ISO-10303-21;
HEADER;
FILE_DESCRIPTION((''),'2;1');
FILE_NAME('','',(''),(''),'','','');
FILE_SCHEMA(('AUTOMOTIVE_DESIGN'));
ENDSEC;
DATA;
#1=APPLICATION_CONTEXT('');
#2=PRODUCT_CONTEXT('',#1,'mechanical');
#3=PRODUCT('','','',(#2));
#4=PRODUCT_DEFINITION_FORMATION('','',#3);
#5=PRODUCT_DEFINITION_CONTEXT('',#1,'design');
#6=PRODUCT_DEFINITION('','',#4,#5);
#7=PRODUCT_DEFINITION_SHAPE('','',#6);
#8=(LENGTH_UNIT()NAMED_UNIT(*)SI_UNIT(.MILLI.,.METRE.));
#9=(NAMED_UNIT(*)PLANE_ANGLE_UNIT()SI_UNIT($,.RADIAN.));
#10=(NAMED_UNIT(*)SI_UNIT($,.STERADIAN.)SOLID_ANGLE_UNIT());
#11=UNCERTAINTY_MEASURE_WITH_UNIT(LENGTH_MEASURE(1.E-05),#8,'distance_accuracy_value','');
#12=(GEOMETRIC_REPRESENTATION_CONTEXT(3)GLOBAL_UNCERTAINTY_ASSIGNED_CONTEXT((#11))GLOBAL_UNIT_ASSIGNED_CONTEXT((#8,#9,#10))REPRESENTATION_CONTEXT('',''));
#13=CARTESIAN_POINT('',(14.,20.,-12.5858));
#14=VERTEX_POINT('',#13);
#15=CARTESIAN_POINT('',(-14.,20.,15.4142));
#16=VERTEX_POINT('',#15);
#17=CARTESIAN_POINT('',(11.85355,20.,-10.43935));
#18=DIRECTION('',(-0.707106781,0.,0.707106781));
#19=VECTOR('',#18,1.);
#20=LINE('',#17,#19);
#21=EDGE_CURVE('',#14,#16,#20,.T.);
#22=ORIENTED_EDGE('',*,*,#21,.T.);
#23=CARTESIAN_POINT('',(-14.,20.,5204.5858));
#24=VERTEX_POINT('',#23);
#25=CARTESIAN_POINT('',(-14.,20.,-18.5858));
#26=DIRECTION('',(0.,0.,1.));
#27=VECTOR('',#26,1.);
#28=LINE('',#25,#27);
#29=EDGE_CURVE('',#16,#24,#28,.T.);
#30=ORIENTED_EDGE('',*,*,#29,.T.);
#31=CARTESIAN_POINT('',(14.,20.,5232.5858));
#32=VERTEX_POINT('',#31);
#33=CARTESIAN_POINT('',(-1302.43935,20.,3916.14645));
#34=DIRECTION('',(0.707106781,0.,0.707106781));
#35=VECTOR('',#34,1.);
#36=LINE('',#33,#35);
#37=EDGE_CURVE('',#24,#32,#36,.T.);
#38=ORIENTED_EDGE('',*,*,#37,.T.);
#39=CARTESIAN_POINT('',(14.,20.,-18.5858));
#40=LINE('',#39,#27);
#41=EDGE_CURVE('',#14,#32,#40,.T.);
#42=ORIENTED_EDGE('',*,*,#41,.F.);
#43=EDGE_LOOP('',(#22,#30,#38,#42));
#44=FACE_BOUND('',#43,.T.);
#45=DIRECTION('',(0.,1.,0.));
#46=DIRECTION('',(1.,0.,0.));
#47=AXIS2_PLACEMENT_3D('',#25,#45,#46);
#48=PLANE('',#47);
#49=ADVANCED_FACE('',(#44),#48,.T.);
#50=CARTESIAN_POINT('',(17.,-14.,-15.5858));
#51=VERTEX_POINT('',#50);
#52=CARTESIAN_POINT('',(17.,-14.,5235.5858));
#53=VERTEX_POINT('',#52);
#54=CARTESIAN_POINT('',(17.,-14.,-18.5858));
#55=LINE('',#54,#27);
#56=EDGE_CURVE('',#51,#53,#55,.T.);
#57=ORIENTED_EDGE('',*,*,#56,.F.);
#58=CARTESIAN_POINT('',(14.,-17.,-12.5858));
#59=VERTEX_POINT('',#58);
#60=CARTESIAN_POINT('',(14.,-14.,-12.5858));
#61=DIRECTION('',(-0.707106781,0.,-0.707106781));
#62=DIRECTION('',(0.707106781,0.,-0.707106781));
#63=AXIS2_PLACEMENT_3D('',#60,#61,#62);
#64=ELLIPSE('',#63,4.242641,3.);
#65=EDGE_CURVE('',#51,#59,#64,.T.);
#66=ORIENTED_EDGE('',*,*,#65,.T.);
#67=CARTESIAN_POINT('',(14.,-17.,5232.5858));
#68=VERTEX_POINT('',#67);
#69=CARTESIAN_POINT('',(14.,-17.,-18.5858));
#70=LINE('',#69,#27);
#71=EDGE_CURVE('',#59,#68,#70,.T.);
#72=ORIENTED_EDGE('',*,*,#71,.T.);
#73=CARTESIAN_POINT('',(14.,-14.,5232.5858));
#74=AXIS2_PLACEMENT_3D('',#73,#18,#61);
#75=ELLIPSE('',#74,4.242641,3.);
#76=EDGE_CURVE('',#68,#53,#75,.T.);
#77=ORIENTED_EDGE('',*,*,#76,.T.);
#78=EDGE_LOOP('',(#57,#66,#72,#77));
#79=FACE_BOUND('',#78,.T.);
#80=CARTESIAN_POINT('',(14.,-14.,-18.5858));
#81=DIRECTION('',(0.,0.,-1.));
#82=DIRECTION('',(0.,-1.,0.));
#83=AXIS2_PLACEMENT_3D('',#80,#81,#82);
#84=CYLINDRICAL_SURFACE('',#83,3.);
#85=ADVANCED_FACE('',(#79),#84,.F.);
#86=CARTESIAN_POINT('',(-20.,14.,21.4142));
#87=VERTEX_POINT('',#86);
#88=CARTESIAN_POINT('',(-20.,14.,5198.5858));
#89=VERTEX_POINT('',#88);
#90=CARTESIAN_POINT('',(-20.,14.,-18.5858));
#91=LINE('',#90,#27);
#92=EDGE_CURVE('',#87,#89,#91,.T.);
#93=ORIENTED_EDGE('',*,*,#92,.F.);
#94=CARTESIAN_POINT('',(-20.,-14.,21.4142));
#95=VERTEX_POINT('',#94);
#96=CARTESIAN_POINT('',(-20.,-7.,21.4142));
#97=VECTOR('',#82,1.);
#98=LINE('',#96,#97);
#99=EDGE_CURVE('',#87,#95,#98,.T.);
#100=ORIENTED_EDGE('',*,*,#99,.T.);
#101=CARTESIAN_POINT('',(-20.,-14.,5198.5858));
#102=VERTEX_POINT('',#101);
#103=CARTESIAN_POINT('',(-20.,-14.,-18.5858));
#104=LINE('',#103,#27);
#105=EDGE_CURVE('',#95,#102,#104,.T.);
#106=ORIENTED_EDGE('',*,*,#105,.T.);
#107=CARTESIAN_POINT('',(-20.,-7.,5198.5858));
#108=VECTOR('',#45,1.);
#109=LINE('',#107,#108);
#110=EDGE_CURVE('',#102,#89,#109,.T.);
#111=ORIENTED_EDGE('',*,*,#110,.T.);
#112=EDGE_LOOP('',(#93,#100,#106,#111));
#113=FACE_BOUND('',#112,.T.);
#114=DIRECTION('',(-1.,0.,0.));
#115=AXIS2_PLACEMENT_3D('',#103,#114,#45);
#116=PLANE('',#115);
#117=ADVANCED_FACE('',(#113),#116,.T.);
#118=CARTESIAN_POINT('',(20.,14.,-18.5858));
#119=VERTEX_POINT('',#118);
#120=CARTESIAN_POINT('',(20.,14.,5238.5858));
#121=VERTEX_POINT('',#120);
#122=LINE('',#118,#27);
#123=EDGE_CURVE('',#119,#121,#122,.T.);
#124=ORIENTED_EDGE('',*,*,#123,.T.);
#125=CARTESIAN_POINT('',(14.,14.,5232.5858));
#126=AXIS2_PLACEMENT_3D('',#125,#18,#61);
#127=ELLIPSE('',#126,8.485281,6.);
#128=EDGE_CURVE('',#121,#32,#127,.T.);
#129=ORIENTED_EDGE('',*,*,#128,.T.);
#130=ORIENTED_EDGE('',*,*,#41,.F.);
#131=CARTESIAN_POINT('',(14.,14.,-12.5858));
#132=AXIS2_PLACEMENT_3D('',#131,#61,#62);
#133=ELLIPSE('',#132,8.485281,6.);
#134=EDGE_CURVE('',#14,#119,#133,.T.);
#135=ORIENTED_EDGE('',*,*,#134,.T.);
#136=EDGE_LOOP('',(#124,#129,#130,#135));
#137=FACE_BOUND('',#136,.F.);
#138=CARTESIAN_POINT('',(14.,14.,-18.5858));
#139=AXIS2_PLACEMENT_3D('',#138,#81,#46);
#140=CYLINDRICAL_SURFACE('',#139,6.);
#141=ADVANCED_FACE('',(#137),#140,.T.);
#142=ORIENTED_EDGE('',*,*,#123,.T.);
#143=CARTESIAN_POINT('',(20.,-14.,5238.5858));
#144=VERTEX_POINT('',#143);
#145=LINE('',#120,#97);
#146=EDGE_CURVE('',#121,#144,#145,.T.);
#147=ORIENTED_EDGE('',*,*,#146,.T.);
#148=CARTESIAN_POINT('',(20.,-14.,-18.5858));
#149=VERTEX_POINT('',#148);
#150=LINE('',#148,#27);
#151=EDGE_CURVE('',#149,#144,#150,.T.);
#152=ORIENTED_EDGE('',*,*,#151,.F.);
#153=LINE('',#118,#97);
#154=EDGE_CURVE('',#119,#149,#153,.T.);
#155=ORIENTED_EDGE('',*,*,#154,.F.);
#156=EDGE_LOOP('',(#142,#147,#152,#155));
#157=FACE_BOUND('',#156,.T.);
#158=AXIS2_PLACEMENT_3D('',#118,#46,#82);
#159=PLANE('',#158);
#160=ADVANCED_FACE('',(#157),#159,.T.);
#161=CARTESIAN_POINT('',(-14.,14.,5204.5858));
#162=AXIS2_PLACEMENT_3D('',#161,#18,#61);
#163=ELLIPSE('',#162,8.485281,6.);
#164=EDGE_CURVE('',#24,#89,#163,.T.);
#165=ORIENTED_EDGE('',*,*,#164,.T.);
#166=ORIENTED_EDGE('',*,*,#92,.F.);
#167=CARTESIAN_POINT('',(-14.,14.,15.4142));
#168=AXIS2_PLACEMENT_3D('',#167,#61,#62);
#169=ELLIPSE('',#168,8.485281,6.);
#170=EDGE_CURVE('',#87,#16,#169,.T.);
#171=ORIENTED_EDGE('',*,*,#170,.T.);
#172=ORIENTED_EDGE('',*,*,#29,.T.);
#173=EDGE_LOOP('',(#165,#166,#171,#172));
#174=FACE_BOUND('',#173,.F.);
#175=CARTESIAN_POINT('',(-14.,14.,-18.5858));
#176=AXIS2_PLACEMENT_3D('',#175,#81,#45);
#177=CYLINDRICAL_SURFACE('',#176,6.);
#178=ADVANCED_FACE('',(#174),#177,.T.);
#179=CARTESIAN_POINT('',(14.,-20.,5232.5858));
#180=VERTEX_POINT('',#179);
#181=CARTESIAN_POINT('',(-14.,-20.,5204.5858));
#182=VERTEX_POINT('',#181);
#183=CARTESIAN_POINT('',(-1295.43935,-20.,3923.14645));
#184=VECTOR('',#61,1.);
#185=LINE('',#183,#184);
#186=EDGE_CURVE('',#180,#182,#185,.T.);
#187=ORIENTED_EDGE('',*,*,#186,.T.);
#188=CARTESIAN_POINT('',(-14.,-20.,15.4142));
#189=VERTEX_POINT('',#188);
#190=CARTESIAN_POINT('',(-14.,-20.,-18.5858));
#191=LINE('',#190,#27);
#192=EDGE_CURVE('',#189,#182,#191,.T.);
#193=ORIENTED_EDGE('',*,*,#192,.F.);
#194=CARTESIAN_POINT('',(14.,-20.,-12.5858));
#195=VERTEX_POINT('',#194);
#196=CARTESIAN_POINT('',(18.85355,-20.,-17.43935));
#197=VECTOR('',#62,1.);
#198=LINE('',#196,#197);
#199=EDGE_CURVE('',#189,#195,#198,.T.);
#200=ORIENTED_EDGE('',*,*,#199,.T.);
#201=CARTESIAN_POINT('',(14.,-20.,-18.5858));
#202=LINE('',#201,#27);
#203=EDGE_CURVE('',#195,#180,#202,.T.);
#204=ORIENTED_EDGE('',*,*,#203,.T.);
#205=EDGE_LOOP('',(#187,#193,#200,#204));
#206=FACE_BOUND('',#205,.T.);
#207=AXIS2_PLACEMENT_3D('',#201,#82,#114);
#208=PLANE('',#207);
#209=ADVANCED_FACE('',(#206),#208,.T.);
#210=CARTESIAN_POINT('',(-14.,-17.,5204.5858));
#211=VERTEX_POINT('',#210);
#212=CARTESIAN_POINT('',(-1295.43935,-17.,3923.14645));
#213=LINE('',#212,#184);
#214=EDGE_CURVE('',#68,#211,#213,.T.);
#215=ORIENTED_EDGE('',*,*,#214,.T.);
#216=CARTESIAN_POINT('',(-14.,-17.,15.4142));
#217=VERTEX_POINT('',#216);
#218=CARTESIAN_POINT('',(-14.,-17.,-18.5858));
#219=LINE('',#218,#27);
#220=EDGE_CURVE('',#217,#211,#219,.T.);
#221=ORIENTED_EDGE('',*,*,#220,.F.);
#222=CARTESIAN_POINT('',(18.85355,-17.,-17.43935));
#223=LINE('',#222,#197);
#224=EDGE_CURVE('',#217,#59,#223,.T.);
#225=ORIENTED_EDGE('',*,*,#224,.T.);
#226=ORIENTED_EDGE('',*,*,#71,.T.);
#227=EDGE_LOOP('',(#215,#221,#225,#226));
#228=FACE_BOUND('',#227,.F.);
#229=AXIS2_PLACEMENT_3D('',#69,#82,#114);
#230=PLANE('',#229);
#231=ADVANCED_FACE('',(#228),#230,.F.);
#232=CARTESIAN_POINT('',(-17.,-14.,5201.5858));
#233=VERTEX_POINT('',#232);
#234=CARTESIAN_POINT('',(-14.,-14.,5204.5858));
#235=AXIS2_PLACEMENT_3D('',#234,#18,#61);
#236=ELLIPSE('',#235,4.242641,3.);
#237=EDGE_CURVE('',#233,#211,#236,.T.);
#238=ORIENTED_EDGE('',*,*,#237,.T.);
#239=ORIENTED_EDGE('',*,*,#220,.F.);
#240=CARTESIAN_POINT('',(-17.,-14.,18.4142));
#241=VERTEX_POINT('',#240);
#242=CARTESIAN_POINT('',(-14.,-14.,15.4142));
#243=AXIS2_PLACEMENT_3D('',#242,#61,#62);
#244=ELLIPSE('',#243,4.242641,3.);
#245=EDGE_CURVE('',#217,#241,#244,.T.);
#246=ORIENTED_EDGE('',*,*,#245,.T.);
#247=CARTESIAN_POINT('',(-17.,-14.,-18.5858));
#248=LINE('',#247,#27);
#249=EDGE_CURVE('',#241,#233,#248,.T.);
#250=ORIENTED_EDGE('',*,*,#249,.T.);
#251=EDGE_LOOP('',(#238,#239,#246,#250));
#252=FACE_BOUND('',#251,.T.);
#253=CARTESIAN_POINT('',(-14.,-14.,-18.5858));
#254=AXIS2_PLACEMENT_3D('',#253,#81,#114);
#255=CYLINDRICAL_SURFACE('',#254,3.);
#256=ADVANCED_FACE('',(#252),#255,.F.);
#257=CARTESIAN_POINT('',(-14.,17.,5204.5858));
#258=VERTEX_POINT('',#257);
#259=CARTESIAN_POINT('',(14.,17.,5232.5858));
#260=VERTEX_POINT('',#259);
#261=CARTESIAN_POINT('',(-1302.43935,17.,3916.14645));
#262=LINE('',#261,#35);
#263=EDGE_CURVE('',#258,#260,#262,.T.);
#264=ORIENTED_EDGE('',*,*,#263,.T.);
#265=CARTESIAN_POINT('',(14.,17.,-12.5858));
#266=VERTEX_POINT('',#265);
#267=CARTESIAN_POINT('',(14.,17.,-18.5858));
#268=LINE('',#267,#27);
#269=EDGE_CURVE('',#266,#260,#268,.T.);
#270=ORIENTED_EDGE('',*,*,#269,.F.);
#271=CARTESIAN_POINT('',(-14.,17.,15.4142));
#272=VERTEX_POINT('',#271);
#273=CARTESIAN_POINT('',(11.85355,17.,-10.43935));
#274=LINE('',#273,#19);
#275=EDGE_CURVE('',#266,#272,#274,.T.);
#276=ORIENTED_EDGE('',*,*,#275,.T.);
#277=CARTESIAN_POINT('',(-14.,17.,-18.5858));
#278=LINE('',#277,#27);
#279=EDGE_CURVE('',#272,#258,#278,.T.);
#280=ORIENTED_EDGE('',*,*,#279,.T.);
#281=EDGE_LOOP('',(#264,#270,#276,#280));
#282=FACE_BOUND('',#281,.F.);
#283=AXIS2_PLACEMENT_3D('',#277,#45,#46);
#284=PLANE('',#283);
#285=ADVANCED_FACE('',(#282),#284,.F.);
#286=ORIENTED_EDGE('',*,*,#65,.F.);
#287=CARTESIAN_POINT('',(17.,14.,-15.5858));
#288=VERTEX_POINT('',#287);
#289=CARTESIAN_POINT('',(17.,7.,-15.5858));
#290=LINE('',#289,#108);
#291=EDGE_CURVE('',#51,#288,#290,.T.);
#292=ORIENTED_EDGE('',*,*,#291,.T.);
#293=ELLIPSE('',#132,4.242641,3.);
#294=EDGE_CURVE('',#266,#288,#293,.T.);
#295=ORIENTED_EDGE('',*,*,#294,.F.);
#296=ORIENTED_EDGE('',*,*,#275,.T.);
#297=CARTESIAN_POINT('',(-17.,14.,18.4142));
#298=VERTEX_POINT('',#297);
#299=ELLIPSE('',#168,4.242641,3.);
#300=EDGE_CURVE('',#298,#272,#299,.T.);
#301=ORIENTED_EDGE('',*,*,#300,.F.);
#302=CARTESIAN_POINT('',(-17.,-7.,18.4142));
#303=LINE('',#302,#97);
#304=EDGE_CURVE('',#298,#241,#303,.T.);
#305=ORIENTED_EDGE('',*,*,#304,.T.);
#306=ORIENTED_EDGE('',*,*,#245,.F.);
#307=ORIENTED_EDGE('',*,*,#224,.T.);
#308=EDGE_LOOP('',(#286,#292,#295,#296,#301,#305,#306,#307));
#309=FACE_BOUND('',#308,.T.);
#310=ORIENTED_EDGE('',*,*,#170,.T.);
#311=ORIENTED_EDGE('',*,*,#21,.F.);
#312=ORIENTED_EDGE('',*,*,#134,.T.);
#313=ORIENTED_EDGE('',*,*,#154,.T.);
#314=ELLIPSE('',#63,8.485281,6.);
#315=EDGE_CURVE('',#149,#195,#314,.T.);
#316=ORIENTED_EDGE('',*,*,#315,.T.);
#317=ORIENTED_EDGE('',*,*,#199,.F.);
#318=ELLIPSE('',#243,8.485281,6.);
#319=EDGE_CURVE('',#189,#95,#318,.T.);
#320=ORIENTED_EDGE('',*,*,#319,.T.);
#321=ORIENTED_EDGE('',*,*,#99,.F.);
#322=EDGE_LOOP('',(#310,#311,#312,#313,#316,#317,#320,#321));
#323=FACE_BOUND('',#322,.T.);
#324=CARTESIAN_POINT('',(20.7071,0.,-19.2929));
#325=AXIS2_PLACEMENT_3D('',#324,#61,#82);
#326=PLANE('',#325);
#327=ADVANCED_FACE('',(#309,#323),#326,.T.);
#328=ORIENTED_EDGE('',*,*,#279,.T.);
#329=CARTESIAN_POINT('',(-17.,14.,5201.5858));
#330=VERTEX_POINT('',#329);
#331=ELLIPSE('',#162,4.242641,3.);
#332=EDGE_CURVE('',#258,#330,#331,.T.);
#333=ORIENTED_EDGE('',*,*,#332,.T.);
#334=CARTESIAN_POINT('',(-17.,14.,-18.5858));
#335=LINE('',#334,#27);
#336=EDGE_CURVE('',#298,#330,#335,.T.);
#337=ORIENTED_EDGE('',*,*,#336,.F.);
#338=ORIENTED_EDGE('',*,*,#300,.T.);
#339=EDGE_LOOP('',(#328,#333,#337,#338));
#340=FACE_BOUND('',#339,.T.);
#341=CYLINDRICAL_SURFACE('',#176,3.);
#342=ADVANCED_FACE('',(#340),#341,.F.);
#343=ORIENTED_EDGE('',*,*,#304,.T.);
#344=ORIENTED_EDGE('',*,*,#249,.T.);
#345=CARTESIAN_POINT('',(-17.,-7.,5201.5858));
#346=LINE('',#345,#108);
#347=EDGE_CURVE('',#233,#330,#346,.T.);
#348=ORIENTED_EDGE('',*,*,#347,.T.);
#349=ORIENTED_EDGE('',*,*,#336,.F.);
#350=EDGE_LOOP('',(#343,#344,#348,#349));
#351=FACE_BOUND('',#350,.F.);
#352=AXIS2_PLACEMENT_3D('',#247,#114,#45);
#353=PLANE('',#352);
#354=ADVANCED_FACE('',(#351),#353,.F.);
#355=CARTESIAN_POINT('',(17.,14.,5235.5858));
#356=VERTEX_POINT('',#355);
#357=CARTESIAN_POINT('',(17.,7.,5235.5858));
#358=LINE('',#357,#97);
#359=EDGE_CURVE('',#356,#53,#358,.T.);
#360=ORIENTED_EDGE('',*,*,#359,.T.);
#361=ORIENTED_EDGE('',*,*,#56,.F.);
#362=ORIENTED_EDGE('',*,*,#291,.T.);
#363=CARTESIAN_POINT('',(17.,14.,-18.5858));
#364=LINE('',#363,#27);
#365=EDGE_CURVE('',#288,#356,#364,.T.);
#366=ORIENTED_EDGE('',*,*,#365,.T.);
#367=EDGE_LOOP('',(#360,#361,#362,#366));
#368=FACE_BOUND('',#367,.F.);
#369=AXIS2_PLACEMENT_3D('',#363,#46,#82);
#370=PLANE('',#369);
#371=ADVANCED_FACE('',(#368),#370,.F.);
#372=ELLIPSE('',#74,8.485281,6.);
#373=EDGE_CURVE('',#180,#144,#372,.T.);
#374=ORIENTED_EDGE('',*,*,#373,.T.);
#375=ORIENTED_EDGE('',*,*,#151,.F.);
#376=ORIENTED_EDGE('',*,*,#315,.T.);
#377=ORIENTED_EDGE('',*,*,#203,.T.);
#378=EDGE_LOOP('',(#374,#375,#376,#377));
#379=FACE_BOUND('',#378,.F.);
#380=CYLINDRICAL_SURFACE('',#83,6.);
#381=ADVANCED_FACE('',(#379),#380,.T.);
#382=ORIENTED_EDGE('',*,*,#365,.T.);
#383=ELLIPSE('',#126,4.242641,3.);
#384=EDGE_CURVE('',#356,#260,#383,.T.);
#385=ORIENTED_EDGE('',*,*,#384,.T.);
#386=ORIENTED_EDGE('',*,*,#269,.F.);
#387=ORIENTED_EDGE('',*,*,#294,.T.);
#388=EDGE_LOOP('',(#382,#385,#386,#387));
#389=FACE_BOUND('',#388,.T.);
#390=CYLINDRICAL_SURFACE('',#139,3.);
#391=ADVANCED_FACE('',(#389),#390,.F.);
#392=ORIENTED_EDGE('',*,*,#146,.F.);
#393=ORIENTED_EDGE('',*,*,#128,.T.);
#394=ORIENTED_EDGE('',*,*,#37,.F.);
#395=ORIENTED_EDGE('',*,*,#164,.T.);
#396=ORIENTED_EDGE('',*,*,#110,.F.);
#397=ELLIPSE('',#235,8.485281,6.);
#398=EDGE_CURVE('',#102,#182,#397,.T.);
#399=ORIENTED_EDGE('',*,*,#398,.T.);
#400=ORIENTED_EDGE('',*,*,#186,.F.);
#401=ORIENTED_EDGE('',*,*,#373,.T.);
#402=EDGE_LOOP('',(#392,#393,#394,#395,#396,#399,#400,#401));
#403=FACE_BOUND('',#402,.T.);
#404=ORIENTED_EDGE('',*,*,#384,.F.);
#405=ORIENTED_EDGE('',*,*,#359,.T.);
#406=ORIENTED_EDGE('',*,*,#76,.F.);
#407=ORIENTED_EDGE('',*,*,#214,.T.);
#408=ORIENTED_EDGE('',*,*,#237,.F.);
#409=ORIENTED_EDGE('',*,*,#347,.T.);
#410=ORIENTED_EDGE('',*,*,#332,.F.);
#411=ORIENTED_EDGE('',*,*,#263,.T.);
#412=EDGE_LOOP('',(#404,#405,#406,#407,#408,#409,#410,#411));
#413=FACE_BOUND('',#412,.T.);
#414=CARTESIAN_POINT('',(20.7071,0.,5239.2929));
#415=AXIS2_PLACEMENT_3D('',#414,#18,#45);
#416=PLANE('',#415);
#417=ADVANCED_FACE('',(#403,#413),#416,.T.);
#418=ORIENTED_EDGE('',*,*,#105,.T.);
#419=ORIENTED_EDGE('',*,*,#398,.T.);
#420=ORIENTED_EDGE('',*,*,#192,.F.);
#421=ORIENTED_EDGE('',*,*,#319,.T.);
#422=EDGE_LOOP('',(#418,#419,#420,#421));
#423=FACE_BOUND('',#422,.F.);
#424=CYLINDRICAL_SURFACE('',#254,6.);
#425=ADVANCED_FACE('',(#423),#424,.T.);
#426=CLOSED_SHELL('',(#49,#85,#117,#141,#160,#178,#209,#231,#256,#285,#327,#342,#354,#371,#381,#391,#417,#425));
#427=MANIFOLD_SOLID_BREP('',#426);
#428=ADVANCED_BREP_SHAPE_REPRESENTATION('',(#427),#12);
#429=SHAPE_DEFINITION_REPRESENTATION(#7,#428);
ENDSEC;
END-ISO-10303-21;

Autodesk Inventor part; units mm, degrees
ref_plane "Start Plane" through (0, 0, -18.5858) normal (0, 0, 1) x (1, 0, 0)
ref_plane "End Plane" through (0, 0, 5238.5858) normal (0, 0, 1) x (1, 0, 0)
sketch "Sketch" plane through (0, 0, 0) normal (0, 0, 1) x (1, 0, 0)
  line L0 (-20, -14) -> (-20, 14)
  line L1 (-14, 20) -> (14, 20)
  line L2 (20, 14) -> (20, -14)
  line L3 (14, -20) -> (-14, -20)
  arc A0 (-20, -14) -> (-14, -20) centre (-14, -14) ccw
  arc A1 (20, 14) -> (14, 20) centre (14, 14) ccw
  arc A2 (-14, 20) -> (-20, 14) centre (-14, 14) ccw
  arc A3 (14, -20) -> (20, -14) centre (14, -14) ccw
  arc A4 (-14, 17) -> (-17, 14) centre (-14, 14) ccw
  line L4 (-14, 17) -> (14, 17)
  arc A5 (17, 14) -> (14, 17) centre (14, 14) ccw
  line L5 (17, 14) -> (17, -14)
  arc A6 (14, -17) -> (17, -14) centre (14, -14) ccw
  line L6 (14, -17) -> (-14, -17)
  arc A7 (-17, -14) -> (-14, -17) centre (-14, -14) ccw
  line L7 (-17, -14) -> (-17, 14)
  line L8 (0, 29.7397) -> (0, -29.7397) construction
  line L9 (-29.7397, 0) -> (29.7397, 0) construction
  dimension "d7" = 6
  dimension "d9" = 40
  dimension "d11" = 40
  dimension "d12" = 3
  dimension "d15" = 20
  dimension "d16" = 20
extrude "Body" add sketch "Sketch" along normal up to surface (5257.1716 mm away) from surface at -18.5858
sketch "Sketch3" plane through (0, 0, 0) normal (0, 0, 1) x (1, 0, 0)
  line L0 (0, 0) -> (10, 0)
ref_plane "Work Plane3" through (0, 0, 0) normal (0, -1, 0) x (1, 0, 0)
ref_plane "Work Plane4" through (20.7071, 0, 5239.2929) normal (-0.7071, 0, 0.7071) x (0.7071, 0, 0.7071)
split "Split1" plane through (20.7071, 0, 5239.2929) removes the side toward (-0.7071, 0, 0.7071)
ref_plane "Work Plane5" through (20.7071, 0, -19.2929) normal (-0.7071, 0, -0.7071) x (-0.7071, 0, 0.7071)
split "Split2" plane through (20.7071, 0, -19.2929) removes the side toward (-0.7071, 0, -0.7071)
sketch "Sketch4" plane through (0, 0, 0) normal (0, -1, 0) x (1, 0, 0)
  line L0 (-2, -18.5858) -> (12, -18.5858) projected
  line L1 (-2, 5238.5858) -> (12, 5238.5858) projected
  dimension "d18" = 5257.1716
equation "\"d7\" = G_IR"
equation "\"d9\" = G_W"
equation "\"d11\" = G_H"
equation "\"d12\" = G_T"
equation "\"d15\" = 0.5 * d9"
equation "\"d16\" = 0.5 * d11"
equation "\"d3\" = G_L"
equation "\"G_W\" = 40"
equation "\"G_H\" = 40"
equation "\"G_T\" = 3"
equation "\"G_IR\" = 6"
equation "\"G_L\" = d18"
equation "\"G_OFFSET_START\" = 18.58579"
equation "\"G_OFFSET_END\" = 18.58579"
equation "\"d13\" = -G_OFFSET_START"
equation "\"d14\" = G_OFFSET_END + B_L"
equation "\"B_L\" = 5220"
properties part number "ISO 10799-2 - 40x40x3 - 5257,17" material "Steel, Mild"
